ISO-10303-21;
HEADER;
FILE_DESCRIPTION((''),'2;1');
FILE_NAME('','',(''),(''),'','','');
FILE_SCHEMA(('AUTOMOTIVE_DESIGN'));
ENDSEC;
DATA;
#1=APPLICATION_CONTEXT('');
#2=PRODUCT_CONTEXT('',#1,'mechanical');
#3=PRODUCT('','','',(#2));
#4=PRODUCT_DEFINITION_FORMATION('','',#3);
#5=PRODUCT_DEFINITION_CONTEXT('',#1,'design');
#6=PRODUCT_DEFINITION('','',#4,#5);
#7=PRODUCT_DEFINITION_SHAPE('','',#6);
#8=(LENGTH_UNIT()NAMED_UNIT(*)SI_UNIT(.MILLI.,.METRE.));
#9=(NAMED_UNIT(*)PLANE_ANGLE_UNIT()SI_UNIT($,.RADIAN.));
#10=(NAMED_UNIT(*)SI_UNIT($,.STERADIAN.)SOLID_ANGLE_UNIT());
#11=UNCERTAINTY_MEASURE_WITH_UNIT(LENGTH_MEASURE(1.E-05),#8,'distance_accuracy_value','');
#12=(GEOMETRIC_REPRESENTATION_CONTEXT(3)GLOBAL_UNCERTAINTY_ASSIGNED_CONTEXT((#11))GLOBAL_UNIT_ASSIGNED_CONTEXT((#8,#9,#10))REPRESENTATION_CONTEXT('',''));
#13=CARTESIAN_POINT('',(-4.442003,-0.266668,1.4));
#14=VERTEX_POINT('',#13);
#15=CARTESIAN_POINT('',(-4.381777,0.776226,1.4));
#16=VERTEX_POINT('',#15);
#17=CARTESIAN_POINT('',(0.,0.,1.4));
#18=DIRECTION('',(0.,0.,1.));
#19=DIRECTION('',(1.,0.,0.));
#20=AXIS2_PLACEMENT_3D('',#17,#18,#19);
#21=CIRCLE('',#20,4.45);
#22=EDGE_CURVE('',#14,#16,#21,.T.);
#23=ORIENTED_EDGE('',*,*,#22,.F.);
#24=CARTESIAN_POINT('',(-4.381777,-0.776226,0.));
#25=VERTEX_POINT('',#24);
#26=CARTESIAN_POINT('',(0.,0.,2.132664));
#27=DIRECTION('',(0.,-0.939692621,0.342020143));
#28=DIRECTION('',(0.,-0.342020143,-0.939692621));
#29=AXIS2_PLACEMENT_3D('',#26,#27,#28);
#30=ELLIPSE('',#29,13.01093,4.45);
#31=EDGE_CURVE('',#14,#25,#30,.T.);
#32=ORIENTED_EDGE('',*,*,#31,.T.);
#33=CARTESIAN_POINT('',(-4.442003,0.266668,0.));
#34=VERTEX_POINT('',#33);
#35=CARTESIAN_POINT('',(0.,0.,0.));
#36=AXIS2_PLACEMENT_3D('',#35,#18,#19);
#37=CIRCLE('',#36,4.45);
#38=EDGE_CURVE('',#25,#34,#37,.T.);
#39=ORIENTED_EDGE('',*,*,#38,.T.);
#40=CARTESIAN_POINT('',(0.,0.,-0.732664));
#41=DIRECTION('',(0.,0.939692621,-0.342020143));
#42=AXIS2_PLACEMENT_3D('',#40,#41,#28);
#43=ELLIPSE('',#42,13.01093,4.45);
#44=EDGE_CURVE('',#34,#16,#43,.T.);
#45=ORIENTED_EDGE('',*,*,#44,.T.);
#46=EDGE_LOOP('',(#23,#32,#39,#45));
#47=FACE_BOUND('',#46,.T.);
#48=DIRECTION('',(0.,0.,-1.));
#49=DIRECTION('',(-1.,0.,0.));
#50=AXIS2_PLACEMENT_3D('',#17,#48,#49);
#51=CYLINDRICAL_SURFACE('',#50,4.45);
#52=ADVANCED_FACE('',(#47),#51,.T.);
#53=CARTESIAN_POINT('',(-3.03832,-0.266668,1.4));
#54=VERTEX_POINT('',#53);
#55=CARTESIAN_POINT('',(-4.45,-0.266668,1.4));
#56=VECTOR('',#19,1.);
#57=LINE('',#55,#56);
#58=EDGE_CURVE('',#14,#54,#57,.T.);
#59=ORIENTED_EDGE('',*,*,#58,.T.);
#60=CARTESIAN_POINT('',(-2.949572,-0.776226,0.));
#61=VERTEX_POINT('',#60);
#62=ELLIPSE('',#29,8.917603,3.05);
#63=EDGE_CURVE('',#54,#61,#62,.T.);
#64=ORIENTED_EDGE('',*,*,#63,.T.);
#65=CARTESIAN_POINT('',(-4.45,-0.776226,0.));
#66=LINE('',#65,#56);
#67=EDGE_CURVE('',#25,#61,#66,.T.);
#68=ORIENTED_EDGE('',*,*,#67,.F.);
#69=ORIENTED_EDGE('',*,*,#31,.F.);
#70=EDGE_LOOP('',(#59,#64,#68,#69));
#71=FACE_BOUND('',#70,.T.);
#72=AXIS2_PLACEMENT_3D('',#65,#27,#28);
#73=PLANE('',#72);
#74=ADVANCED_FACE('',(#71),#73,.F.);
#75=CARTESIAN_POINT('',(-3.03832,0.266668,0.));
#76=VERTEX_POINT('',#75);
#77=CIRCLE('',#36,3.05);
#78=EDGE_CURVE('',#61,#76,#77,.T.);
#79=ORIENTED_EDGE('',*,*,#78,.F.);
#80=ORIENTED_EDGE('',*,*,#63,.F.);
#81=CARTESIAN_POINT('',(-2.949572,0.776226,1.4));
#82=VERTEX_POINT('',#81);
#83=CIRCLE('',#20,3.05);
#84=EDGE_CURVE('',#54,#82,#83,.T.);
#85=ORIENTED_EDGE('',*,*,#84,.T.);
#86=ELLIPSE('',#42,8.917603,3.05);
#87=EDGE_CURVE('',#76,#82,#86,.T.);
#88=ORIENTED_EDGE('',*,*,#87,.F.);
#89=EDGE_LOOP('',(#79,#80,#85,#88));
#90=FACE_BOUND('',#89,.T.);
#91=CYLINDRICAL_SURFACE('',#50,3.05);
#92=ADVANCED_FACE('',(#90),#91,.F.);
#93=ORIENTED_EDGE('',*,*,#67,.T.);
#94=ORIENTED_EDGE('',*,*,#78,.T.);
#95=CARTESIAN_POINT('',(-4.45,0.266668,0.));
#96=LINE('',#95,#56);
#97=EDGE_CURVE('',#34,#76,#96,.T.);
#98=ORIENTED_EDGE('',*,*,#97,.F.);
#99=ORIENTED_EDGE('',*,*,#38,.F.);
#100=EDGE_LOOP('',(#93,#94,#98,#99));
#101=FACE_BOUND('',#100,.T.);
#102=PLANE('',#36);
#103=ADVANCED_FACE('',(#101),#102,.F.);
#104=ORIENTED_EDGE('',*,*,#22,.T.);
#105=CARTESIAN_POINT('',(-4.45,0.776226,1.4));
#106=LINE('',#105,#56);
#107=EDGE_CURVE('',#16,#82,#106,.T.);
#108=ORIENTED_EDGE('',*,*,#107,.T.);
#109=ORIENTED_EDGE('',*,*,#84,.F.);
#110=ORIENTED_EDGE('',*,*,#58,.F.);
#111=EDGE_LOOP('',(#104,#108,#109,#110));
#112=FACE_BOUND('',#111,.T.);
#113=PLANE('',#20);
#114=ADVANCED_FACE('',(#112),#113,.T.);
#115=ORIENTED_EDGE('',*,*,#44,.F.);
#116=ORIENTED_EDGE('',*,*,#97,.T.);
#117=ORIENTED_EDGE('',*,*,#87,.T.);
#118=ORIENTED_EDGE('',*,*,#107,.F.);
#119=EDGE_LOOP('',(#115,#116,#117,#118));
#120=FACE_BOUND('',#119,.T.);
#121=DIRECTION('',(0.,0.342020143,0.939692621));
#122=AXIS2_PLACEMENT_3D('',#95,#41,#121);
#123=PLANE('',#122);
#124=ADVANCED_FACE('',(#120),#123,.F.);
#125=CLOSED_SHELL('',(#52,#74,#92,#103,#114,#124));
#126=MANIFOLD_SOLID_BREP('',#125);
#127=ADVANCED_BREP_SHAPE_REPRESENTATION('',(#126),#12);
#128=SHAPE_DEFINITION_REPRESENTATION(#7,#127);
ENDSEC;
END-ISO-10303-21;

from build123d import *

# Parameters (mm, degrees)
SKETCH_1_R          = 4.45
SKETCH_1_R_2        = 3.05
EXTRUDE_1_DEPTH     = 1.4
CUT_EXTRUDE_1_DEPTH = 7.447092368


with BuildPart() as part:
    # Эскиз1 → Вытянуть1 (new body)
    with BuildSketch(Plane.XY):
        Circle(SKETCH_1_R)
        Circle(SKETCH_1_R_2, mode=Mode.SUBTRACT)
    extrude(amount=EXTRUDE_1_DEPTH)

    # Эскиз2 → Вырез-Вытянуть1 (cut, through all)
    with BuildSketch(Plane(origin=(0, 0, 0), x_dir=(0, 0, -1), z_dir=(1, 0, 0))):
        Polygon((0, 0.266667945), (-1.4, 0.776226272), (-1.4, 0), (-1.4, -0.266667945), (0, -0.776226272), (0, 0), align=None)
    extrude(amount=-CUT_EXTRUDE_1_DEPTH, mode=Mode.SUBTRACT)


solid = part.part
